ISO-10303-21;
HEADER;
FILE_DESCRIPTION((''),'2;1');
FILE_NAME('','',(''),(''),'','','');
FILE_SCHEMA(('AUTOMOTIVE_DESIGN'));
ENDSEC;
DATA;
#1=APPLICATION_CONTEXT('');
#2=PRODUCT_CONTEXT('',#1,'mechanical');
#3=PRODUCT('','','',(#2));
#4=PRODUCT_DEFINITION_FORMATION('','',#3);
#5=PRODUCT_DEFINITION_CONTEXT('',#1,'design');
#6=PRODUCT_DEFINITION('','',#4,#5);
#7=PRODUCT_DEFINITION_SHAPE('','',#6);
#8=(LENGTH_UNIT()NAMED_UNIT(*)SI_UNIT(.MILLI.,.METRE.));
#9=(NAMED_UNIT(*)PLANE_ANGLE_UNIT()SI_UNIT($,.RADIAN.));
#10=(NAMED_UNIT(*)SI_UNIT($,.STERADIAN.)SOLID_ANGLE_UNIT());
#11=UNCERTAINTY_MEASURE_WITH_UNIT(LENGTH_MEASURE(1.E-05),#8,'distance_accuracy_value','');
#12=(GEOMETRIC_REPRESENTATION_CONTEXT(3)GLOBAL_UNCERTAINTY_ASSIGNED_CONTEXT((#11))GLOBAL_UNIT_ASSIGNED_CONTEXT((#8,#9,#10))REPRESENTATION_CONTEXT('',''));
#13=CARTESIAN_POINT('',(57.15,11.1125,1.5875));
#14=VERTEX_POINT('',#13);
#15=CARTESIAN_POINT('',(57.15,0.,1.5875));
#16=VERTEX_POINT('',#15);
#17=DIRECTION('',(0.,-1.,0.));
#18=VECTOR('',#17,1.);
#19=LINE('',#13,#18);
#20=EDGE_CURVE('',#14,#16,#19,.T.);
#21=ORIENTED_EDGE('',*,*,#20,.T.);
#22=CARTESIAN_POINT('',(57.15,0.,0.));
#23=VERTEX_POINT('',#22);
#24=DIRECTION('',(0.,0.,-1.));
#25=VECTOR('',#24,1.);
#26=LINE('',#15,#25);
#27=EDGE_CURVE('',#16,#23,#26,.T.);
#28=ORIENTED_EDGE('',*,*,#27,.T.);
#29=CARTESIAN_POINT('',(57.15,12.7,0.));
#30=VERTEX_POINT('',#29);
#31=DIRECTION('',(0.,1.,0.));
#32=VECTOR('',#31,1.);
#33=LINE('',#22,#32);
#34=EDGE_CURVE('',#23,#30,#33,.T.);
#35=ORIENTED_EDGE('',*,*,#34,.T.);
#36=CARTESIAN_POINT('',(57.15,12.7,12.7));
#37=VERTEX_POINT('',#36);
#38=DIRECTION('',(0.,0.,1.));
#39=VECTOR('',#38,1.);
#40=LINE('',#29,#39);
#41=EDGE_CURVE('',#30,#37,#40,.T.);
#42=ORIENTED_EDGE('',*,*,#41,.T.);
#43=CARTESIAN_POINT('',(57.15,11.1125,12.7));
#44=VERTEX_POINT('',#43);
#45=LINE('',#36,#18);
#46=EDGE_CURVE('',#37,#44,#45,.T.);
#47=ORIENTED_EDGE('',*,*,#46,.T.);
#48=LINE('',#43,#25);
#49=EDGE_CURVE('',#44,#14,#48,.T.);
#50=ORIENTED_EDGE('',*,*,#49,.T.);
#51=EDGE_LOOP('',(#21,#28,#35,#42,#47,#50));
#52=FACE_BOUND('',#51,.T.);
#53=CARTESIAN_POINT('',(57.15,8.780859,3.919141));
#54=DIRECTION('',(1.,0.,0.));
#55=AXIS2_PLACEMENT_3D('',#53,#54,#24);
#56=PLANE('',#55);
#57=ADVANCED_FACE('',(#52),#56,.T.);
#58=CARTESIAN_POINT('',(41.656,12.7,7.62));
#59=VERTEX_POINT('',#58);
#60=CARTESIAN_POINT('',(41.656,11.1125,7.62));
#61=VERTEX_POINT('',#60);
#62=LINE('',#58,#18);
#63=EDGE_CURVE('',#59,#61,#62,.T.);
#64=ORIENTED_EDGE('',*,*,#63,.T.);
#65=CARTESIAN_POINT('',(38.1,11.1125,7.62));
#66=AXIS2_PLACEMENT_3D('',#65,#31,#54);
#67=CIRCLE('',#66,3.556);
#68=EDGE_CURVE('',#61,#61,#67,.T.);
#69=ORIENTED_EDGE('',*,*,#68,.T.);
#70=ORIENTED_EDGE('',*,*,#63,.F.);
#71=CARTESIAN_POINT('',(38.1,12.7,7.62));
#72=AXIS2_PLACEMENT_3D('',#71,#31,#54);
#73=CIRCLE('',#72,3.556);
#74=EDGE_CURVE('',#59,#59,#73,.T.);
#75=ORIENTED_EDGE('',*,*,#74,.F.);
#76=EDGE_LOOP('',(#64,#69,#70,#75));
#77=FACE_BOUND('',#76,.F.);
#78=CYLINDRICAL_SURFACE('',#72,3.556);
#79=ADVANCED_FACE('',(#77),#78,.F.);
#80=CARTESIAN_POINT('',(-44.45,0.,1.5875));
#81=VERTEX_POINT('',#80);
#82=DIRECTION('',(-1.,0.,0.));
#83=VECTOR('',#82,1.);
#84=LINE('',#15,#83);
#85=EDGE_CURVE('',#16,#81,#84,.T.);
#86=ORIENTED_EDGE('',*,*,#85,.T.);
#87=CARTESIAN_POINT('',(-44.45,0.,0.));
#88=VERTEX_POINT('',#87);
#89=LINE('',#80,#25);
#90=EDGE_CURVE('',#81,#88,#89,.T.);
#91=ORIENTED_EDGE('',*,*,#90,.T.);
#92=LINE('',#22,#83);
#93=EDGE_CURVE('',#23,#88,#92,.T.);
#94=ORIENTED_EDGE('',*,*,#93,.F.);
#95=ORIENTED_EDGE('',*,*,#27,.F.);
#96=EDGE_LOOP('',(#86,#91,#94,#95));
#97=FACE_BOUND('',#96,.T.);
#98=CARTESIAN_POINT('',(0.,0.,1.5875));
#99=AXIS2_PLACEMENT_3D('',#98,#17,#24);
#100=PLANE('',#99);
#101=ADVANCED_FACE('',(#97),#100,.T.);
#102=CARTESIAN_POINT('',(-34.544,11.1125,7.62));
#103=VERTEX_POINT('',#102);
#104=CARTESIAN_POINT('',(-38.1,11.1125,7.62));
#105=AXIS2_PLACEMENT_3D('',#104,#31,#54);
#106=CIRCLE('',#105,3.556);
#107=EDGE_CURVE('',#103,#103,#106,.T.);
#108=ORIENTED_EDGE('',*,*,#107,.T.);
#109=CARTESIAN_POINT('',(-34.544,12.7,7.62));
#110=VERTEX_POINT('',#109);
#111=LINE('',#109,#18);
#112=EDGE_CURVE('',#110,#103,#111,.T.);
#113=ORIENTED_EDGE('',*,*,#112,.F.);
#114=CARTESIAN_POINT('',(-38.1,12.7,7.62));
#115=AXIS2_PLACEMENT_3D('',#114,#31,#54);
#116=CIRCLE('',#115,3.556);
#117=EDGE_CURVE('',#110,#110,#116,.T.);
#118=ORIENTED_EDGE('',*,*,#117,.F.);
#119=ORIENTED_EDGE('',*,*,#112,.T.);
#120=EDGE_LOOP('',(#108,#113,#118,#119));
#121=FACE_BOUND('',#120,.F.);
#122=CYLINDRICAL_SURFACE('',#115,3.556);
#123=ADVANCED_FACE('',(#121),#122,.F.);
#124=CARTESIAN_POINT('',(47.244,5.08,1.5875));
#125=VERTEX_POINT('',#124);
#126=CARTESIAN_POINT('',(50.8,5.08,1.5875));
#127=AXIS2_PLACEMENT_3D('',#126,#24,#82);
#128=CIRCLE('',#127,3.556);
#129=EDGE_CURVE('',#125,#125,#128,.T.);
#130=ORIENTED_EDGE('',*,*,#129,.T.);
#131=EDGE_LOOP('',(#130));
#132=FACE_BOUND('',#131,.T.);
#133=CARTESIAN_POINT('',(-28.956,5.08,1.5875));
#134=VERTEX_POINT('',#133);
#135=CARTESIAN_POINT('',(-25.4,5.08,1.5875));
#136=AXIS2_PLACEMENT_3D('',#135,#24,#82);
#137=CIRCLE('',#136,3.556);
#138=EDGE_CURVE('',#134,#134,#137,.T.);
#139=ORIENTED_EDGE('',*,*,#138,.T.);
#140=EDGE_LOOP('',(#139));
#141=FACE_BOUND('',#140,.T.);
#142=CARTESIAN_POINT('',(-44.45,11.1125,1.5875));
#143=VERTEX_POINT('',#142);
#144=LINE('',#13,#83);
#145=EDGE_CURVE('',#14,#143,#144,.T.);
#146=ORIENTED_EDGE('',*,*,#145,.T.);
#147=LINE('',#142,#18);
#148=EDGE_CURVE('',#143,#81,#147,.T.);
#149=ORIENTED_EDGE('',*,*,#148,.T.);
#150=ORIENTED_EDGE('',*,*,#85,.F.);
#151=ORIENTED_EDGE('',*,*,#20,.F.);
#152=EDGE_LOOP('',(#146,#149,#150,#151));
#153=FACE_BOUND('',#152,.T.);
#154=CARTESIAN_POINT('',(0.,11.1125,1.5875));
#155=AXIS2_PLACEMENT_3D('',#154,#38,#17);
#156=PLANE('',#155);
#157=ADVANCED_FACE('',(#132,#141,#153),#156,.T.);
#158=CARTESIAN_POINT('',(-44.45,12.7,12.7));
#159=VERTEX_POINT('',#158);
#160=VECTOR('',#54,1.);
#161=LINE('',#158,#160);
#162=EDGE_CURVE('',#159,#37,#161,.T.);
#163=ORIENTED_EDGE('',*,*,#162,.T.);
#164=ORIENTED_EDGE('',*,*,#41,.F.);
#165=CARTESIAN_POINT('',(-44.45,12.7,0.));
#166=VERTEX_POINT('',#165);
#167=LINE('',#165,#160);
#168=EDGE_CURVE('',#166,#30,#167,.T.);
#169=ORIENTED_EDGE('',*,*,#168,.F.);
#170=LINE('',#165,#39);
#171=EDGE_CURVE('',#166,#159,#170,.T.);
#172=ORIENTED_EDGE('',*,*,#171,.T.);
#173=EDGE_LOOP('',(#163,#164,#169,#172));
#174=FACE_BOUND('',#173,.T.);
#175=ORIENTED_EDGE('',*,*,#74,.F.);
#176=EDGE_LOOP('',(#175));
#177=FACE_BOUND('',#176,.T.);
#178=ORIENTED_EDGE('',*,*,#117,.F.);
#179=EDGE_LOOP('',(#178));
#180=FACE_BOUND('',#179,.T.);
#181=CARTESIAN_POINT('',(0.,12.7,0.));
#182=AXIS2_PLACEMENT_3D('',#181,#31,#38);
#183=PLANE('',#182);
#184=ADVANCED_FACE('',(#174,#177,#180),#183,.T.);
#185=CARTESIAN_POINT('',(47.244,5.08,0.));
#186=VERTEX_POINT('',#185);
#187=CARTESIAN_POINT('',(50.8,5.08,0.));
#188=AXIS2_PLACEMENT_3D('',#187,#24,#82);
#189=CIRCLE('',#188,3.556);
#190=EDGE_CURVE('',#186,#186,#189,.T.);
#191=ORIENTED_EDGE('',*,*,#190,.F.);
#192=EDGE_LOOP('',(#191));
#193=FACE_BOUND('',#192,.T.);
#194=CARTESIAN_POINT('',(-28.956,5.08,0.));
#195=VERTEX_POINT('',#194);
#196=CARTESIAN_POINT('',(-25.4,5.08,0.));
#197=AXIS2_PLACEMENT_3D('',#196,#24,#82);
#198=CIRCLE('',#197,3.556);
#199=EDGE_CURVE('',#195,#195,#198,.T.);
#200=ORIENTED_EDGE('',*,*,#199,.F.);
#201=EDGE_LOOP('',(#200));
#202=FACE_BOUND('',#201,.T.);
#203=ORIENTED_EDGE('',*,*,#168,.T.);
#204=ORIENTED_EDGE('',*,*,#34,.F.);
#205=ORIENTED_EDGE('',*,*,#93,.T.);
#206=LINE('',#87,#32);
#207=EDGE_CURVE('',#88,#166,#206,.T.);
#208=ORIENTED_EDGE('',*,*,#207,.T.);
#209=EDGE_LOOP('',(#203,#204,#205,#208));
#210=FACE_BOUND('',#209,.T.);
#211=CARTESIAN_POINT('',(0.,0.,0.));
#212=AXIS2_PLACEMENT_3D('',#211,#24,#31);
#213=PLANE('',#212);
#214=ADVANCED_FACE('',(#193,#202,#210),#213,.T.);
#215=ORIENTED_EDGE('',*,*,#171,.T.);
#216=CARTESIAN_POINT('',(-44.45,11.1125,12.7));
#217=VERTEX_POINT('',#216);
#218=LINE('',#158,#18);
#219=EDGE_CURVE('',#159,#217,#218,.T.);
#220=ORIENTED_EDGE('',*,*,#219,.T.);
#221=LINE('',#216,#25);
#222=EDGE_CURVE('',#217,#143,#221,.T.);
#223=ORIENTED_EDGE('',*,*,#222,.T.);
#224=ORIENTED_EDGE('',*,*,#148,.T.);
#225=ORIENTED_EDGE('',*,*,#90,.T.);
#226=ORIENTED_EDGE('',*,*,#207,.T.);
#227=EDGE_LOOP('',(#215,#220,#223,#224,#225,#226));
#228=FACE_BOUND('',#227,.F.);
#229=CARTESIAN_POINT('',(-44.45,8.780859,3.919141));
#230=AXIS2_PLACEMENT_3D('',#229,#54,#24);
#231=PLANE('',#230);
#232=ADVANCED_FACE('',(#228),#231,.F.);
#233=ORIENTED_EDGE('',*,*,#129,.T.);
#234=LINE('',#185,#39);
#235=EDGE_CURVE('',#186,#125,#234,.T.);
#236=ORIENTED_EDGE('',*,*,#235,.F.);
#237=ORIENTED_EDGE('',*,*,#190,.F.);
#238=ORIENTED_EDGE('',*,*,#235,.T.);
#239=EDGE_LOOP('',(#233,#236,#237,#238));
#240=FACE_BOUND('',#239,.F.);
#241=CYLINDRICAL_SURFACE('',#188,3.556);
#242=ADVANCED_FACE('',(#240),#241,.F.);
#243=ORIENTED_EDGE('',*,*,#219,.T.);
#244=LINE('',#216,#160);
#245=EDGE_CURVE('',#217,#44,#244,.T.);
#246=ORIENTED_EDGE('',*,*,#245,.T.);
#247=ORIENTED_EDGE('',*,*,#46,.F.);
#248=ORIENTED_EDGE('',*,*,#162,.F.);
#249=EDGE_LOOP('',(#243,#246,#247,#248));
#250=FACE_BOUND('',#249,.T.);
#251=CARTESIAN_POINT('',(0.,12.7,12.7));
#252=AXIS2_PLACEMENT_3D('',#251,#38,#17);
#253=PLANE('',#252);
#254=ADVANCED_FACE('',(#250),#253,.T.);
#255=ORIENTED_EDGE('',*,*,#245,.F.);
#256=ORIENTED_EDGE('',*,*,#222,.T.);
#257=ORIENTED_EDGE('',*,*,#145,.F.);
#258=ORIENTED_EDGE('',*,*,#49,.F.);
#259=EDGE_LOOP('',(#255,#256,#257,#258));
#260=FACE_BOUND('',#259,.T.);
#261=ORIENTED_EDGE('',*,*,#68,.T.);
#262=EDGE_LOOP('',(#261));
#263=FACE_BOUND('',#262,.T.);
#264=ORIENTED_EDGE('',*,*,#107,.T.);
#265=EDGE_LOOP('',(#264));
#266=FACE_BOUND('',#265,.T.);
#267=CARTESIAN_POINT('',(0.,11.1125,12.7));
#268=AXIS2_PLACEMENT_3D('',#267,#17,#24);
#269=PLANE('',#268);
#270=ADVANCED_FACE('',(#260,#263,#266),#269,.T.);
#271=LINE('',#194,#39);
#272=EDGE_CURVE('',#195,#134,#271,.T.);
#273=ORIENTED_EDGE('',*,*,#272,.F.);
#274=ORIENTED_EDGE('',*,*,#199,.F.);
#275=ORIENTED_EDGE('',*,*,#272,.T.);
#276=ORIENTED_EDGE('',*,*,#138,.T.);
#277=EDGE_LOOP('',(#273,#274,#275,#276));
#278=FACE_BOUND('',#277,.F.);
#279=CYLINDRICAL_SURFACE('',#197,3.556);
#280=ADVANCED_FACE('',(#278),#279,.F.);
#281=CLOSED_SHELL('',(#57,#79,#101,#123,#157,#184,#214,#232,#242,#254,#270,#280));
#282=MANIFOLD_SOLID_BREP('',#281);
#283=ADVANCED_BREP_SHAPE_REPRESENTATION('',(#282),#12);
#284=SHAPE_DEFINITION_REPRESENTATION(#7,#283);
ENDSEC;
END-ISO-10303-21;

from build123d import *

# Parameters (mm, degrees)
BOSS_EXTRUDE1_DEPTH      = 57.15
BOSS_EXTRUDE1_DEPTH_BACK = 44.45
SKETCH3_R                = 3.556
CUT_EXTRUDE1_DEPTH       = 13.7
SKETCH4_R                = 3.556
CUT_EXTRUDE2_DEPTH       = 13.7


with BuildPart() as part:
    # Sketch1 → Boss-Extrude1 (new body, two sides)
    with BuildSketch(Plane(origin=(0, 0, 0), x_dir=(0, 0, -1), z_dir=(1, 0, 0))) as boss_extrude1_sk:
        Polygon((0, 0), (0, 12.7), (-12.7, 12.7), (-12.7, 11.1125), (-1.5875, 11.1125), (-1.5875, 0), align=None)
    extrude(amount=BOSS_EXTRUDE1_DEPTH)
    extrude(boss_extrude1_sk.sketch, amount=-BOSS_EXTRUDE1_DEPTH_BACK)

    # Sketch3 → Cut-Extrude1 (cut, through all)
    with BuildSketch(Plane(origin=(0, 0, 0), x_dir=(-1, 0, 0), z_dir=(0, 0, -1))):
        with Locations((25.4, 5.08)):
            Circle(SKETCH3_R)
        with Locations((-50.8, 5.08)):
            Circle(SKETCH3_R)
    extrude(amount=-CUT_EXTRUDE1_DEPTH, mode=Mode.SUBTRACT)

    # Sketch4 → Cut-Extrude2 (cut, through all)
    with BuildSketch(Plane(origin=(0, 12.7, 0), x_dir=(1, 0, 0), z_dir=(0, 1, 0))):
        with Locations((-38.1, -7.62)):
            Circle(SKETCH4_R)
        with Locations((38.1, -7.62)):
            Circle(SKETCH4_R)
    extrude(amount=-CUT_EXTRUDE2_DEPTH, mode=Mode.SUBTRACT)


solid = part.part
